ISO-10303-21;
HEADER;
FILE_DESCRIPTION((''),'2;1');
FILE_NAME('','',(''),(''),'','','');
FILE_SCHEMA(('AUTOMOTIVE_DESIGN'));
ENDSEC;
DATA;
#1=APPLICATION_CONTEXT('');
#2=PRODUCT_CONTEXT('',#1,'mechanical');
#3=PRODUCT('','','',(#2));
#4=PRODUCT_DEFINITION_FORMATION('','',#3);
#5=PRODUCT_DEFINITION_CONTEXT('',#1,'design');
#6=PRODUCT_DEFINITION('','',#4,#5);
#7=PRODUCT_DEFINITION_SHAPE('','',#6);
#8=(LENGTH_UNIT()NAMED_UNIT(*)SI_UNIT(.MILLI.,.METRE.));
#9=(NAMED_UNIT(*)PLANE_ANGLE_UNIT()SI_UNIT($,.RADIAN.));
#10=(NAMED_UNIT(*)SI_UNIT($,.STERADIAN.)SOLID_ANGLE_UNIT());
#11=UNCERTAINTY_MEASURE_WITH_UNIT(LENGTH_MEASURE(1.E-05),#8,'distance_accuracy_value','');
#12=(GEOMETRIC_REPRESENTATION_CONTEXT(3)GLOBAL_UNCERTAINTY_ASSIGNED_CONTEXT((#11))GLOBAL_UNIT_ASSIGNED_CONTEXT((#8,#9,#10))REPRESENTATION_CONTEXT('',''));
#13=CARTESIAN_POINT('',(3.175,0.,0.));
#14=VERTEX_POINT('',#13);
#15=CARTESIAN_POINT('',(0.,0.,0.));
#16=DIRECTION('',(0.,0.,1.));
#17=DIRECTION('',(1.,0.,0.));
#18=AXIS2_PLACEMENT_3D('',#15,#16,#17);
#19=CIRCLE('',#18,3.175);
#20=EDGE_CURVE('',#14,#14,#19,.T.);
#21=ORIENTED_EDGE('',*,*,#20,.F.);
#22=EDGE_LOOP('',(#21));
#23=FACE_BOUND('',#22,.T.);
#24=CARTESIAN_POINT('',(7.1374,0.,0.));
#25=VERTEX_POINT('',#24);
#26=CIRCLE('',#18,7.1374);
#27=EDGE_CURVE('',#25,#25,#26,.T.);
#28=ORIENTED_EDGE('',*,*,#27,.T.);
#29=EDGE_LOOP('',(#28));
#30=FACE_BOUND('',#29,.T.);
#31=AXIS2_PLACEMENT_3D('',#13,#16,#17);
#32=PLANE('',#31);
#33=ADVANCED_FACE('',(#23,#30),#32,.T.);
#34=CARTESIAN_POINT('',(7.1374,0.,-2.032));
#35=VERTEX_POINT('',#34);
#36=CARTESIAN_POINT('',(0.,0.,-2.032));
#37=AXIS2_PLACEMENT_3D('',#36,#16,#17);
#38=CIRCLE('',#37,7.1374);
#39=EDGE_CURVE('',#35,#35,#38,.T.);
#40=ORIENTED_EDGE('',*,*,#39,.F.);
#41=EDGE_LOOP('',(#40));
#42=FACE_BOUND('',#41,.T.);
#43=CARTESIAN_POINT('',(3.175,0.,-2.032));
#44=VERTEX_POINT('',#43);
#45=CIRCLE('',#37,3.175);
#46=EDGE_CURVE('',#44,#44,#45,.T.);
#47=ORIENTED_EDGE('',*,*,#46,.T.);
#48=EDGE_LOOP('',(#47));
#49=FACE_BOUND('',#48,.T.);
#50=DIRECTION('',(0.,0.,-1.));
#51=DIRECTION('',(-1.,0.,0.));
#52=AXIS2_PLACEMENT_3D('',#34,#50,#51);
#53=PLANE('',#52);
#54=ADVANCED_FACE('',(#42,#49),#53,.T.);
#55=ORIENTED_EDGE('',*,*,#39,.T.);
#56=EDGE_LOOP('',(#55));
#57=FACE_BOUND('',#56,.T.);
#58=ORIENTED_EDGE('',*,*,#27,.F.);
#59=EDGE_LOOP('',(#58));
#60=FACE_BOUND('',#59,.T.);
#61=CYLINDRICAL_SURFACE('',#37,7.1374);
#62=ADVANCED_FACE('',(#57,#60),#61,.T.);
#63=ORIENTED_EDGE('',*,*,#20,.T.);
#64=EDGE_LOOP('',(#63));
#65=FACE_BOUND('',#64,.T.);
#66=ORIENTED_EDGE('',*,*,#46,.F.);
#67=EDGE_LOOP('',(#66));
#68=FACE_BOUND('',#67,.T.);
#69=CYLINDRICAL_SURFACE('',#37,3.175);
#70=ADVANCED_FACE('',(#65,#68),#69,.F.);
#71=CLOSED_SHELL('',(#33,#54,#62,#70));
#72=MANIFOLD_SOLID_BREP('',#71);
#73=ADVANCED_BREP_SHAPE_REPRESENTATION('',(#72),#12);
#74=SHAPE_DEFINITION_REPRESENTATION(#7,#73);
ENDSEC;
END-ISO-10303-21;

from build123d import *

# Parameters (mm, degrees)
SKETCH1_W = 3.9624
SKETCH1_H = 2.032


with BuildPart() as part:
    # Sketch1 → Revolve1 (revolve)
    with BuildSketch(Plane(origin=(0, 0, 0), x_dir=(1, 0, 0), z_dir=(0, 1, 0))):
        with Locations((5.1562, 1.016)):
            Rectangle(SKETCH1_W, SKETCH1_H)
    revolve(axis=Axis((0, 0, -2.032), (0, 0, 1)))


solid = part.part
